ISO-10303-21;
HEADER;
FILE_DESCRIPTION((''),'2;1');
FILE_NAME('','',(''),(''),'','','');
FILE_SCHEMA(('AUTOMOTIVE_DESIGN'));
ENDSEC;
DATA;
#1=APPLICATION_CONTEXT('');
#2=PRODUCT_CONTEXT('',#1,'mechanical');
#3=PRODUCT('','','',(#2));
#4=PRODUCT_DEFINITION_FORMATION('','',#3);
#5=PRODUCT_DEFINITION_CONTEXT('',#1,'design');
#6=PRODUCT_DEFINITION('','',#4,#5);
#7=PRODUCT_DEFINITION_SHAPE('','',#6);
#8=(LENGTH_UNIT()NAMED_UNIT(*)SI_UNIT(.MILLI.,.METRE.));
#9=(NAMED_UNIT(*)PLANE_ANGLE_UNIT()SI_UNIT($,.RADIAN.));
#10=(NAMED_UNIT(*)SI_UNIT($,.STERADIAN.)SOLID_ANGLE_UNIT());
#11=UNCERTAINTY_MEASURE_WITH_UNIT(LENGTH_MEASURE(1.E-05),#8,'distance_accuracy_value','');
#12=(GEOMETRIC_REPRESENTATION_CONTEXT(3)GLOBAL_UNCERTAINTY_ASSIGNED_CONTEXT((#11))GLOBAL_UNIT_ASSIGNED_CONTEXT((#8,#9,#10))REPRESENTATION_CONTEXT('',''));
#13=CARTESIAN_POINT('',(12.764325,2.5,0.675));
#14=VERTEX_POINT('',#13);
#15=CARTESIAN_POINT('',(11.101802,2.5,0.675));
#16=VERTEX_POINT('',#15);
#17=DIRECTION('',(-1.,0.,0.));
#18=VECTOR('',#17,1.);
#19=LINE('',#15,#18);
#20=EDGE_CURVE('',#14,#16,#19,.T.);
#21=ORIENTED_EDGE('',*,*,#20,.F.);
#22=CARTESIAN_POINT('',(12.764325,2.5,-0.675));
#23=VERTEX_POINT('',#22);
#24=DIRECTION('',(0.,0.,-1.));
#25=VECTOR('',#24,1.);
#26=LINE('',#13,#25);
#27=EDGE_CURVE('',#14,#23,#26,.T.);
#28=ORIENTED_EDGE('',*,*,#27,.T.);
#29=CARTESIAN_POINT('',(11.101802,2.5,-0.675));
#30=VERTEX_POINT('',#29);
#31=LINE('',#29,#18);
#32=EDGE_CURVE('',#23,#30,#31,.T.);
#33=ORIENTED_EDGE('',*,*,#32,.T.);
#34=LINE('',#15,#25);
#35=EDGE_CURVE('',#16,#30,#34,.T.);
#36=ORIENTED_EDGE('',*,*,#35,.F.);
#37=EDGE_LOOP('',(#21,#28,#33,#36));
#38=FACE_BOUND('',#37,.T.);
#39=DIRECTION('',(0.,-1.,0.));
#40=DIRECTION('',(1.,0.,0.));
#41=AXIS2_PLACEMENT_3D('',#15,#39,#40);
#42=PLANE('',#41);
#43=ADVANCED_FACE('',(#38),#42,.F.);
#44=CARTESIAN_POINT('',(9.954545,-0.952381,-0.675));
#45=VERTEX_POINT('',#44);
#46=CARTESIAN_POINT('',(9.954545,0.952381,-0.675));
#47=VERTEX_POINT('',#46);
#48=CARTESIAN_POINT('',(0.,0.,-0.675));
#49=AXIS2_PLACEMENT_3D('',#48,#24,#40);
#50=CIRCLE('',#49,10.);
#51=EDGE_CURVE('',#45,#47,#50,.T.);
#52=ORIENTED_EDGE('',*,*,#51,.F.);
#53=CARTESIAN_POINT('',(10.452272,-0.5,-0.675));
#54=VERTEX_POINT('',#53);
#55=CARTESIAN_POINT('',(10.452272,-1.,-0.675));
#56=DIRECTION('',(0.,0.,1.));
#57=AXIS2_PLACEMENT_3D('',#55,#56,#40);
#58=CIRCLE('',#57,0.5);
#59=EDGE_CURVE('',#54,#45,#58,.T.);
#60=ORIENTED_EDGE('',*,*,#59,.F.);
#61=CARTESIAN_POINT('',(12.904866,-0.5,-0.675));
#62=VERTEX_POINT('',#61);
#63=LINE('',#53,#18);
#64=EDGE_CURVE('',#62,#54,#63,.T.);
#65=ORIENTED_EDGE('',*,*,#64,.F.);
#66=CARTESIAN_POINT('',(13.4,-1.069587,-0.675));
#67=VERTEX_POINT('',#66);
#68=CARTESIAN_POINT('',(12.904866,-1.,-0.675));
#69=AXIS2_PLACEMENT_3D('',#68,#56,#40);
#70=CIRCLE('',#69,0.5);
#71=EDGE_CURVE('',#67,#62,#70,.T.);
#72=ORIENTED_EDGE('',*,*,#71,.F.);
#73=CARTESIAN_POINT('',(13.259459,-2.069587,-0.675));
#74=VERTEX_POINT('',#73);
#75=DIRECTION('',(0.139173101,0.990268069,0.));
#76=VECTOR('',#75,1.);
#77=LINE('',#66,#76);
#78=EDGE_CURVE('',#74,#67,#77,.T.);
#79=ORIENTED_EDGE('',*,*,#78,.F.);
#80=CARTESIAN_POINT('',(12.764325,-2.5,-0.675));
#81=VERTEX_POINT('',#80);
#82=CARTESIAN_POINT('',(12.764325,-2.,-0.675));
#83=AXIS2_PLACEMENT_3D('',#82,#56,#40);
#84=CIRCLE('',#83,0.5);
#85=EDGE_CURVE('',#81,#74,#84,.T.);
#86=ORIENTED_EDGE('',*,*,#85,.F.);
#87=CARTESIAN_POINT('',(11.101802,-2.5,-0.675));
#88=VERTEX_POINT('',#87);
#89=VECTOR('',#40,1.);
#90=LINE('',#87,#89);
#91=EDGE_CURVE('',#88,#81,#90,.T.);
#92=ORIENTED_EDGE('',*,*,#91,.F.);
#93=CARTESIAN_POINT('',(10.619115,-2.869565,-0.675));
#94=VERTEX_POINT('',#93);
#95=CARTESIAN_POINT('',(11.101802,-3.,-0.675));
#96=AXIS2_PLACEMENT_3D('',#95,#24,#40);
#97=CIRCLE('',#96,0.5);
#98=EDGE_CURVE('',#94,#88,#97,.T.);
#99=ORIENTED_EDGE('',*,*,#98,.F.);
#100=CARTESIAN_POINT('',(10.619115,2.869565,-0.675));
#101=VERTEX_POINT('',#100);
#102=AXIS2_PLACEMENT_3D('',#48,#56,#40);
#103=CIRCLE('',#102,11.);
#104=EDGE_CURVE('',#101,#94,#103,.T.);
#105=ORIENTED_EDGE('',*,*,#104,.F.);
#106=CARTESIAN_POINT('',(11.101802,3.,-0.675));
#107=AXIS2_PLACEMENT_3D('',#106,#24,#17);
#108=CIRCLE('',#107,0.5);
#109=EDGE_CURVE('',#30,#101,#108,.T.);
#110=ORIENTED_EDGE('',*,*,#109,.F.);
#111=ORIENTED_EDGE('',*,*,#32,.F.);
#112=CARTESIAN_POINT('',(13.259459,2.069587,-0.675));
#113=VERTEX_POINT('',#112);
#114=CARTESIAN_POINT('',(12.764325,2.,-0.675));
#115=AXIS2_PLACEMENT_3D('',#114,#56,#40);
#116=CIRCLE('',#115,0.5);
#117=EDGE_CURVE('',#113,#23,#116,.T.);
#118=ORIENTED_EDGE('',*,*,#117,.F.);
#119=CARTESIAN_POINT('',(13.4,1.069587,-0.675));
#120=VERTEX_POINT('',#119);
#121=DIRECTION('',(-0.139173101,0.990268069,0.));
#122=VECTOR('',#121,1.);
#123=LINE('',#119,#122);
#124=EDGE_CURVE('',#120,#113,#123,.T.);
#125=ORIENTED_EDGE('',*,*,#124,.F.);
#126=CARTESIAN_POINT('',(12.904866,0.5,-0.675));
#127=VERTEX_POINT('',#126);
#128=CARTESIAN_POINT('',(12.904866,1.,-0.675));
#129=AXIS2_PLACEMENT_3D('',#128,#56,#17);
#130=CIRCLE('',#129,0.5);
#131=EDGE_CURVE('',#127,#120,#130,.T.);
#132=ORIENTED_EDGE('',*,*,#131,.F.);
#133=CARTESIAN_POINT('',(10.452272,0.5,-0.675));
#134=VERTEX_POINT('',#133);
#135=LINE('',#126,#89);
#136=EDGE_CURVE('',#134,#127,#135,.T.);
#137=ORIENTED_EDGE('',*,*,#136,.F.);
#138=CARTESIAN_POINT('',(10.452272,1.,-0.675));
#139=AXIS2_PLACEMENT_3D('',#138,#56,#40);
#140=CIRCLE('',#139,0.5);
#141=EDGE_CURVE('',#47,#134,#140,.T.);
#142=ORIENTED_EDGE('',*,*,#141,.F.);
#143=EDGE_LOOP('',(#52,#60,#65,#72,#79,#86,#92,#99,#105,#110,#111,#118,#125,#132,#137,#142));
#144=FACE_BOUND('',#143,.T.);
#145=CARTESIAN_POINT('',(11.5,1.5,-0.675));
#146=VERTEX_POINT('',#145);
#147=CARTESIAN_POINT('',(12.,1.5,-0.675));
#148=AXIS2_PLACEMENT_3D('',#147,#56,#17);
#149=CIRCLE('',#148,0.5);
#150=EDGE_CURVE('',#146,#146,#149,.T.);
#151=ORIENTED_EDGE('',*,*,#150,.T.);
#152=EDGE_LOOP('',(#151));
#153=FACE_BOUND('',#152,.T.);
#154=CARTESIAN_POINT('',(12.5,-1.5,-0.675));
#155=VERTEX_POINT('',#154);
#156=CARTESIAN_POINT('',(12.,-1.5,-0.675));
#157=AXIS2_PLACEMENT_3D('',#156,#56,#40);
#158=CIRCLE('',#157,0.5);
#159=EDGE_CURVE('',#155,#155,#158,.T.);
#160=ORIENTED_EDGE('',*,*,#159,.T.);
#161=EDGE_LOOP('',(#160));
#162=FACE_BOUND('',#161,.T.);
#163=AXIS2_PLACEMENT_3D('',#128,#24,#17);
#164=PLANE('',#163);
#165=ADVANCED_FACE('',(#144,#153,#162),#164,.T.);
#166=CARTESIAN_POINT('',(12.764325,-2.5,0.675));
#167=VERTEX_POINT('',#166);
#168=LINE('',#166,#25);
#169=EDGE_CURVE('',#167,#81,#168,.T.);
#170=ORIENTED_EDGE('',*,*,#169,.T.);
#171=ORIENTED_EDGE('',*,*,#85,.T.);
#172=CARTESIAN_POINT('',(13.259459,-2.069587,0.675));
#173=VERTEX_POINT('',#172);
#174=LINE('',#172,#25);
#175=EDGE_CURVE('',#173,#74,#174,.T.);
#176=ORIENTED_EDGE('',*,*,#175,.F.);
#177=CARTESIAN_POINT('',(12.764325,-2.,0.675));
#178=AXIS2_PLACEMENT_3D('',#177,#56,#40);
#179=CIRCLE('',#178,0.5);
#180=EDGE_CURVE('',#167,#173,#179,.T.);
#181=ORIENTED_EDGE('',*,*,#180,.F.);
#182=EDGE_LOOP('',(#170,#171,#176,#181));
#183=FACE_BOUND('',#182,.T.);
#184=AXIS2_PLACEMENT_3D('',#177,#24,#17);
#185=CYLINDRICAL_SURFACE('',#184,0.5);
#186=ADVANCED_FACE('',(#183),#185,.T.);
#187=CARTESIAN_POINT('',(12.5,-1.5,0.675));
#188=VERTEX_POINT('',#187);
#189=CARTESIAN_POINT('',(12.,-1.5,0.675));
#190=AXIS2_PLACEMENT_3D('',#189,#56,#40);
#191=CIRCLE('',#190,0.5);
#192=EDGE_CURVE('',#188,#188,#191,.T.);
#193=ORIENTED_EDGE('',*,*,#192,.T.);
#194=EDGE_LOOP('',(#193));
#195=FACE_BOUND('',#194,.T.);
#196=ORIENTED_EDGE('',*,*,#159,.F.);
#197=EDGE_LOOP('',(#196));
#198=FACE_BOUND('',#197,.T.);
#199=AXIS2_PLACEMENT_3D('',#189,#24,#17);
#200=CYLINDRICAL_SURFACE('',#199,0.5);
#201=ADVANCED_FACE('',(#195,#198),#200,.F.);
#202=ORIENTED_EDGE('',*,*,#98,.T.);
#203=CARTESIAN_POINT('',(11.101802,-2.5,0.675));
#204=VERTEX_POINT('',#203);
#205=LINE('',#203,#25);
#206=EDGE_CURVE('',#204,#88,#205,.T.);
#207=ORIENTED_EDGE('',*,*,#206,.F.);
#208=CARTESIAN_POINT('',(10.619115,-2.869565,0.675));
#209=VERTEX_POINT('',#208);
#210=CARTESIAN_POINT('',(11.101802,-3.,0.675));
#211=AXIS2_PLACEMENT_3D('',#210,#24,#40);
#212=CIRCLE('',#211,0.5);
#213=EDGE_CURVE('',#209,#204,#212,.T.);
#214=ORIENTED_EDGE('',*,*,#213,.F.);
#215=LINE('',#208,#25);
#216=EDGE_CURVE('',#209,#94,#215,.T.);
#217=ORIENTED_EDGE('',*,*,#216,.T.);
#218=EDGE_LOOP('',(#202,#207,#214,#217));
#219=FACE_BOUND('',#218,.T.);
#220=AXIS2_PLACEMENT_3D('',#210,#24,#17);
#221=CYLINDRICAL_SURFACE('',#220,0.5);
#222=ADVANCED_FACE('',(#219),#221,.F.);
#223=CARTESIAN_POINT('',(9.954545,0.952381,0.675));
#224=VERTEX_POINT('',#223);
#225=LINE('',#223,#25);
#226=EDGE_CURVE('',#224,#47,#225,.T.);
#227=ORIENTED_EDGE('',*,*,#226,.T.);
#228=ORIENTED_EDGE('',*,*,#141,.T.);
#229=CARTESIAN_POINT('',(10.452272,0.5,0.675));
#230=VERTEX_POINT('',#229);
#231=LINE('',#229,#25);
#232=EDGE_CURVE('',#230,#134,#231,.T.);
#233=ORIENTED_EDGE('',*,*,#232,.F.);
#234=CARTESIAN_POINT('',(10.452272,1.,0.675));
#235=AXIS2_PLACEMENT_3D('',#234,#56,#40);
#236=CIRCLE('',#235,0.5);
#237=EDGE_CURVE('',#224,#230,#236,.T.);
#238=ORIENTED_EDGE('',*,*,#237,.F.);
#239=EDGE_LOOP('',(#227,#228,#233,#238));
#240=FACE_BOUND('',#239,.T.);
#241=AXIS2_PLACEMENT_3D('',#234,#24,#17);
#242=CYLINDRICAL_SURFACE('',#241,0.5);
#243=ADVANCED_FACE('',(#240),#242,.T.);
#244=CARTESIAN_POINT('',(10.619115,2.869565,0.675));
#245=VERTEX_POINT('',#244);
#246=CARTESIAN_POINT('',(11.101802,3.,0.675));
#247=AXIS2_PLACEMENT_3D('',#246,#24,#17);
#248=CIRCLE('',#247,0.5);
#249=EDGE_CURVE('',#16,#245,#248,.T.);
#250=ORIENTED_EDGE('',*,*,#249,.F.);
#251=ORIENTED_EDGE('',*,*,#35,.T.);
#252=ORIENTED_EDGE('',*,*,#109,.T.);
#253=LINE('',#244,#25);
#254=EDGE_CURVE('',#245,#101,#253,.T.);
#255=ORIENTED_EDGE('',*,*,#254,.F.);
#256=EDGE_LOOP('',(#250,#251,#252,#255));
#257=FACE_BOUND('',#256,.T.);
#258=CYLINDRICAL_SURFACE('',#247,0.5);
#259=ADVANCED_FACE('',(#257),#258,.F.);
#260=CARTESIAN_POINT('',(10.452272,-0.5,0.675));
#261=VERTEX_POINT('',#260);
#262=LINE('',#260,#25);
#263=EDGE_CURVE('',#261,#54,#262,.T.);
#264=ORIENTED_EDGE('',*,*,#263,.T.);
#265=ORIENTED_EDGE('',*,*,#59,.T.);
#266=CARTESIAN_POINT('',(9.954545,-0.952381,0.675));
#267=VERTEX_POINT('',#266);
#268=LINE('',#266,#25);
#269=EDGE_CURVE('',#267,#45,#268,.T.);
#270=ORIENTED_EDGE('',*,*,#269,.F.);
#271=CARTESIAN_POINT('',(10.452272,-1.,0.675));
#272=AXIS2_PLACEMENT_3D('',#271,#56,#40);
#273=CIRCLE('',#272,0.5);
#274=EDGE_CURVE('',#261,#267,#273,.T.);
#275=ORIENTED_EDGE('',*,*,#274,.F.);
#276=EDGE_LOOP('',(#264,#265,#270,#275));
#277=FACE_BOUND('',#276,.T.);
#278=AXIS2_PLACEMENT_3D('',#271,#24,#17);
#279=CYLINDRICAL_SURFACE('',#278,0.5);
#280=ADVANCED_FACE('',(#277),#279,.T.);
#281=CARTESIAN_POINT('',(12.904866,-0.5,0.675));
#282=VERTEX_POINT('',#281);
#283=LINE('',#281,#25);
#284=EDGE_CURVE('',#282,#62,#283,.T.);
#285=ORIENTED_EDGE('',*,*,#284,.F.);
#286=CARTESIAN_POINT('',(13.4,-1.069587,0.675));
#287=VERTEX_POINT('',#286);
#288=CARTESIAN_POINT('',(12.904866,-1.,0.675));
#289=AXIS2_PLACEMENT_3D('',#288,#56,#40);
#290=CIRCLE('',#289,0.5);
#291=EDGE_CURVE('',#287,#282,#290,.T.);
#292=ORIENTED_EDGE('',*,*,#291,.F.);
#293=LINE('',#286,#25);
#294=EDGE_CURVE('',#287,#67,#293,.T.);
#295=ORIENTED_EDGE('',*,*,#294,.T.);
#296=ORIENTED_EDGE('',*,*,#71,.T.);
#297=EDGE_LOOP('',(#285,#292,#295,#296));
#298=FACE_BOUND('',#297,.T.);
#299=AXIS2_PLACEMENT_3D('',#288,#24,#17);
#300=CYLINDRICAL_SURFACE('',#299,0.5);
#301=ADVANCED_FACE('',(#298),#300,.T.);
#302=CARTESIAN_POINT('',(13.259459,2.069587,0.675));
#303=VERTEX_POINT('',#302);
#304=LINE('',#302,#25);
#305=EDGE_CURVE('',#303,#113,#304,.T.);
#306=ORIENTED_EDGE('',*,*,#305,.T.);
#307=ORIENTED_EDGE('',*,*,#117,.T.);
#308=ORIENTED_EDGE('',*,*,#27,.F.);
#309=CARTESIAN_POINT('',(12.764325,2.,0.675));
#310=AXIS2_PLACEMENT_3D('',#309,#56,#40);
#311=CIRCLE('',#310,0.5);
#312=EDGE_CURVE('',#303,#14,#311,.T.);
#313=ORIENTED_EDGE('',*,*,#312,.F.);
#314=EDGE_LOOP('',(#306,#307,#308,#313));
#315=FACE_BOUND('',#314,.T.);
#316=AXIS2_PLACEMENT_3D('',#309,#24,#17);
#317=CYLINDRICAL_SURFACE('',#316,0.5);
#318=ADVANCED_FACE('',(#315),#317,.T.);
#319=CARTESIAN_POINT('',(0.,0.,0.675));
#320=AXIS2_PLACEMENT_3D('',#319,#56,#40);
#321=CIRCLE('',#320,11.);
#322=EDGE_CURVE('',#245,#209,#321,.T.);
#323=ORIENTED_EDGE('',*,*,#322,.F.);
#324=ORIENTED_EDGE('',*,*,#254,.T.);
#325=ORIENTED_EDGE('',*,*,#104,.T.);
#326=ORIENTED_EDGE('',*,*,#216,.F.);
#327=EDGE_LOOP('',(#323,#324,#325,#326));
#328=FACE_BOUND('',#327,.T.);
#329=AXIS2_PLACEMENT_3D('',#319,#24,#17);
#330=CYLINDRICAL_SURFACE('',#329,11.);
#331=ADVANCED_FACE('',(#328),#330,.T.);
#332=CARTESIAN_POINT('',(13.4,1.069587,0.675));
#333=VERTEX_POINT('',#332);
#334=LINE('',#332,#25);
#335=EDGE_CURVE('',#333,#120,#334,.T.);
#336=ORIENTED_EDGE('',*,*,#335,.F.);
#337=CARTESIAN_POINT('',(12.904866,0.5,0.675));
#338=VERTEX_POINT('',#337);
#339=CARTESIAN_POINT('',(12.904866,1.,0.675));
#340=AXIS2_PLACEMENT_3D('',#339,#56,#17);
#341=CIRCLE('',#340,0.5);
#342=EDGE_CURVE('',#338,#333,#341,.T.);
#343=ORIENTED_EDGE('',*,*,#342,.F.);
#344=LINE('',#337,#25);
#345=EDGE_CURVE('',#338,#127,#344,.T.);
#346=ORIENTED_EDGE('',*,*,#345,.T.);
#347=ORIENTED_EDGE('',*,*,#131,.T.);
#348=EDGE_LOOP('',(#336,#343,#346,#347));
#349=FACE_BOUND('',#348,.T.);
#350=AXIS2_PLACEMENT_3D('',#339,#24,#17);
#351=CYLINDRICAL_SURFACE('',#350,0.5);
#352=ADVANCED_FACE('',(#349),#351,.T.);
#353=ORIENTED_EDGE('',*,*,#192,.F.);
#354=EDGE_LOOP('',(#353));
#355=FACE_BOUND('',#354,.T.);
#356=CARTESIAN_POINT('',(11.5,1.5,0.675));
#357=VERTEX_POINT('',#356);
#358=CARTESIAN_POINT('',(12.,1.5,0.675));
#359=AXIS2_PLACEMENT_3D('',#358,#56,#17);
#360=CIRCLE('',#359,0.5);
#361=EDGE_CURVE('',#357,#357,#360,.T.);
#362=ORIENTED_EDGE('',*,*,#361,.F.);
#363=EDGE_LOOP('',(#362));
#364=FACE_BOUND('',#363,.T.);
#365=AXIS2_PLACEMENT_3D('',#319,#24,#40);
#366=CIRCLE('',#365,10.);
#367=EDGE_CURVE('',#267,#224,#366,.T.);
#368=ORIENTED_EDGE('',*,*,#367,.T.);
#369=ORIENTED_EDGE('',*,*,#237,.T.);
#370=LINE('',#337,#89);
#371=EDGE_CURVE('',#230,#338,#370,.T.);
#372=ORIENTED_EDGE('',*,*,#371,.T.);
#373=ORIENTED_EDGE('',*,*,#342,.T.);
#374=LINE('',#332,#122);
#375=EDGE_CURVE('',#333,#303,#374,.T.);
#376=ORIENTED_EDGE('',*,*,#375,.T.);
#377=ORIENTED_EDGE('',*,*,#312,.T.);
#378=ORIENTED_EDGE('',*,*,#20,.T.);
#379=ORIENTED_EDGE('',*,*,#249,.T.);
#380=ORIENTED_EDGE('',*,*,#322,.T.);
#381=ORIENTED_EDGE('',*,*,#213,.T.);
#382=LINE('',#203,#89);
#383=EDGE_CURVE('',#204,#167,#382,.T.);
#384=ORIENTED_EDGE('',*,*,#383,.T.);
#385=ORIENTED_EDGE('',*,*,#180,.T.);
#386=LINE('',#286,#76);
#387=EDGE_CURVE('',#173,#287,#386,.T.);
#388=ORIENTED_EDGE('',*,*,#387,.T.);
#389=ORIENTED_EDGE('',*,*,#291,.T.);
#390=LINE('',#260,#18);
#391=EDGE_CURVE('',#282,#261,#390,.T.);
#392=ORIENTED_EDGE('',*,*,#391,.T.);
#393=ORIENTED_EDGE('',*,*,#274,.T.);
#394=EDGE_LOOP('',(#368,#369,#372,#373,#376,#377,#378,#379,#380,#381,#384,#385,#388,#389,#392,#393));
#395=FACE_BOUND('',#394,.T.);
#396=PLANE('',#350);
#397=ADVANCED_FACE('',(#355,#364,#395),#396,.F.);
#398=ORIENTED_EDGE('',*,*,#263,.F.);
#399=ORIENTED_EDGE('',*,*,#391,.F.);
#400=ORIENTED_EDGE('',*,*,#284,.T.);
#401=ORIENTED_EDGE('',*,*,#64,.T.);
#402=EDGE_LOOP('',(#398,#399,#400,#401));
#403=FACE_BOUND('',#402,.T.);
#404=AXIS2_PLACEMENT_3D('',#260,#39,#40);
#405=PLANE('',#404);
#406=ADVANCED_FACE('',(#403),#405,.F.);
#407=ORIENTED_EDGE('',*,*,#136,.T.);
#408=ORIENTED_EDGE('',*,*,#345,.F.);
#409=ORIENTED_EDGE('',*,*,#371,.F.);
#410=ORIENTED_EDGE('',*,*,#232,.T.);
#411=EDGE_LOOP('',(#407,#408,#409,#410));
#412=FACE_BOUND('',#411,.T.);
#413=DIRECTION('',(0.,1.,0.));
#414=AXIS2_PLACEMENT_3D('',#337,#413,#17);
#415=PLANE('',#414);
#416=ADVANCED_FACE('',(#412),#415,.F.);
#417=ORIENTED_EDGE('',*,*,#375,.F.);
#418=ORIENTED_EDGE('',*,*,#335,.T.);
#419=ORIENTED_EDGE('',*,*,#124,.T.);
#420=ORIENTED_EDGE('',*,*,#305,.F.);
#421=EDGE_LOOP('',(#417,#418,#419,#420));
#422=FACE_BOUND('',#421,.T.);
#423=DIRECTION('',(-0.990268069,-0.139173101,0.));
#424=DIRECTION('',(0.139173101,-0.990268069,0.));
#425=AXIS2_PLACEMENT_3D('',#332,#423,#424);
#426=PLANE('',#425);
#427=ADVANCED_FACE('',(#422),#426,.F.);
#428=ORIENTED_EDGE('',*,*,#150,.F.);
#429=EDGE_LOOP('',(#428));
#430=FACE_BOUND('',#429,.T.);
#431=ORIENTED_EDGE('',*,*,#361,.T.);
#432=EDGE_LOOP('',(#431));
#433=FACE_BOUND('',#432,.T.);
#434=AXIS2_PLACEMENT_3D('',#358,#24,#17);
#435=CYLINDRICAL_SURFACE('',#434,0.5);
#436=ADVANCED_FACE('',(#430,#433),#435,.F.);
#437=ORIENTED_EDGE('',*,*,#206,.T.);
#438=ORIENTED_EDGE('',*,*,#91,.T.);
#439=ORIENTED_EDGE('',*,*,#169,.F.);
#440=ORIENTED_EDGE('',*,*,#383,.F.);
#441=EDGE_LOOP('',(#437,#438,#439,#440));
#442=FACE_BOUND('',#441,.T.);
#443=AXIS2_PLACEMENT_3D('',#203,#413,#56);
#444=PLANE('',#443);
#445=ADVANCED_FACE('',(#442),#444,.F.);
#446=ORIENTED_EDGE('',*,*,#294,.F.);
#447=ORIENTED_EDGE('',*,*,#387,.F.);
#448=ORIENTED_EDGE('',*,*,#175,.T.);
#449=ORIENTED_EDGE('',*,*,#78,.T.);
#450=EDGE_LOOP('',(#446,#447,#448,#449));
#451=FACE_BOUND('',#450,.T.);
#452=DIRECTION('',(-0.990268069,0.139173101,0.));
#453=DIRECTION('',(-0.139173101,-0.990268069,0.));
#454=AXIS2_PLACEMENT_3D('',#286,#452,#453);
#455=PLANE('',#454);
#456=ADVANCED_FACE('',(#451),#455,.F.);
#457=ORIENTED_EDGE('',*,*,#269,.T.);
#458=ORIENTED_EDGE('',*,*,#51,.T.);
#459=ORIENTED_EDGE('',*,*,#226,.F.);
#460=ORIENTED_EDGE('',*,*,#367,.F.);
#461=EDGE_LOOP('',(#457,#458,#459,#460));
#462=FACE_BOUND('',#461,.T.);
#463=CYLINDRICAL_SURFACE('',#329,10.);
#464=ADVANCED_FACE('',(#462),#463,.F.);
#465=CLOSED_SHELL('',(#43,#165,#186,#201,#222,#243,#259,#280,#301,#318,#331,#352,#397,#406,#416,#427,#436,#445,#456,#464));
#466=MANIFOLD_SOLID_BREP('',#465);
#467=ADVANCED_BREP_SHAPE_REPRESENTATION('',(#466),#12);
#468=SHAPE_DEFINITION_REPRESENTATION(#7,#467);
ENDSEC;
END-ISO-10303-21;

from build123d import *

# Parameters (mm, degrees)
SKETCH1_R           = 0.5
BOSS_EXTRUDE1_DEPTH = 0.675


with BuildPart() as part:
    # Sketch1 → Boss-Extrude1 (new, symmetric)
    with BuildSketch(Plane(origin=(0, 0, 0), x_dir=(0, 1, 0), z_dir=(0, 0, 1))):
        with BuildLine():
            Line((-0.5, -10.45227248), (-0.5, -12.904865966))
            ThreePointArc((-0.5, -12.904865966), (-0.671970486, -13.282220756), (-1.06958655, -13.4))
            Line((-1.06958655, -13.4), (-2.06958655, -13.259459165))
            ThreePointArc((-2.06958655, -13.259459165), (-2.37735479, -13.092354645), (-2.5, -12.764325131))
            Line((-2.5, -12.764325131), (-2.5, -11.101801656))
            ThreePointArc((-2.5, -11.101801656), (-2.603000383, -10.797842276), (-2.869565217, -10.619114627))
            ThreePointArc((-2.869565217, -10.619114627), (0, 11), (2.869565217, -10.619114627))
            ThreePointArc((2.869565217, -10.619114627), (2.603000383, -10.797842276), (2.5, -11.101801656))
            Line((2.5, -11.101801656), (2.5, -12.764325131))
            ThreePointArc((2.5, -12.764325131), (2.37735479, -13.092354645), (2.06958655, -13.259459165))
            Line((2.06958655, -13.259459165), (1.06958655, -13.4))
            ThreePointArc((1.06958655, -13.4), (0.671970486, -13.282220756), (0.5, -12.904865966))
            Line((0.5, -12.904865966), (0.5, -10.45227248))
            ThreePointArc((0.5, -10.45227248), (0.629993565, -10.115976126), (0.952380952, -9.954545219))
            ThreePointArc((0.952380952, -9.954545219), (0, 10), (-0.952380952, -9.954545219))
            ThreePointArc((-0.952380952, -9.954545219), (-0.629993565, -10.115976126), (-0.5, -10.45227248))
        make_face()
        with Locations(Location((-1.5, -12, 0), (0, 0, 270))):
            Circle(SKETCH1_R, mode=Mode.SUBTRACT)
        with Locations(Location((1.5, -12, 0), (0, 0, 90))):
            Circle(SKETCH1_R, mode=Mode.SUBTRACT)
    extrude(amount=BOSS_EXTRUDE1_DEPTH, both=True)


solid = part.part
